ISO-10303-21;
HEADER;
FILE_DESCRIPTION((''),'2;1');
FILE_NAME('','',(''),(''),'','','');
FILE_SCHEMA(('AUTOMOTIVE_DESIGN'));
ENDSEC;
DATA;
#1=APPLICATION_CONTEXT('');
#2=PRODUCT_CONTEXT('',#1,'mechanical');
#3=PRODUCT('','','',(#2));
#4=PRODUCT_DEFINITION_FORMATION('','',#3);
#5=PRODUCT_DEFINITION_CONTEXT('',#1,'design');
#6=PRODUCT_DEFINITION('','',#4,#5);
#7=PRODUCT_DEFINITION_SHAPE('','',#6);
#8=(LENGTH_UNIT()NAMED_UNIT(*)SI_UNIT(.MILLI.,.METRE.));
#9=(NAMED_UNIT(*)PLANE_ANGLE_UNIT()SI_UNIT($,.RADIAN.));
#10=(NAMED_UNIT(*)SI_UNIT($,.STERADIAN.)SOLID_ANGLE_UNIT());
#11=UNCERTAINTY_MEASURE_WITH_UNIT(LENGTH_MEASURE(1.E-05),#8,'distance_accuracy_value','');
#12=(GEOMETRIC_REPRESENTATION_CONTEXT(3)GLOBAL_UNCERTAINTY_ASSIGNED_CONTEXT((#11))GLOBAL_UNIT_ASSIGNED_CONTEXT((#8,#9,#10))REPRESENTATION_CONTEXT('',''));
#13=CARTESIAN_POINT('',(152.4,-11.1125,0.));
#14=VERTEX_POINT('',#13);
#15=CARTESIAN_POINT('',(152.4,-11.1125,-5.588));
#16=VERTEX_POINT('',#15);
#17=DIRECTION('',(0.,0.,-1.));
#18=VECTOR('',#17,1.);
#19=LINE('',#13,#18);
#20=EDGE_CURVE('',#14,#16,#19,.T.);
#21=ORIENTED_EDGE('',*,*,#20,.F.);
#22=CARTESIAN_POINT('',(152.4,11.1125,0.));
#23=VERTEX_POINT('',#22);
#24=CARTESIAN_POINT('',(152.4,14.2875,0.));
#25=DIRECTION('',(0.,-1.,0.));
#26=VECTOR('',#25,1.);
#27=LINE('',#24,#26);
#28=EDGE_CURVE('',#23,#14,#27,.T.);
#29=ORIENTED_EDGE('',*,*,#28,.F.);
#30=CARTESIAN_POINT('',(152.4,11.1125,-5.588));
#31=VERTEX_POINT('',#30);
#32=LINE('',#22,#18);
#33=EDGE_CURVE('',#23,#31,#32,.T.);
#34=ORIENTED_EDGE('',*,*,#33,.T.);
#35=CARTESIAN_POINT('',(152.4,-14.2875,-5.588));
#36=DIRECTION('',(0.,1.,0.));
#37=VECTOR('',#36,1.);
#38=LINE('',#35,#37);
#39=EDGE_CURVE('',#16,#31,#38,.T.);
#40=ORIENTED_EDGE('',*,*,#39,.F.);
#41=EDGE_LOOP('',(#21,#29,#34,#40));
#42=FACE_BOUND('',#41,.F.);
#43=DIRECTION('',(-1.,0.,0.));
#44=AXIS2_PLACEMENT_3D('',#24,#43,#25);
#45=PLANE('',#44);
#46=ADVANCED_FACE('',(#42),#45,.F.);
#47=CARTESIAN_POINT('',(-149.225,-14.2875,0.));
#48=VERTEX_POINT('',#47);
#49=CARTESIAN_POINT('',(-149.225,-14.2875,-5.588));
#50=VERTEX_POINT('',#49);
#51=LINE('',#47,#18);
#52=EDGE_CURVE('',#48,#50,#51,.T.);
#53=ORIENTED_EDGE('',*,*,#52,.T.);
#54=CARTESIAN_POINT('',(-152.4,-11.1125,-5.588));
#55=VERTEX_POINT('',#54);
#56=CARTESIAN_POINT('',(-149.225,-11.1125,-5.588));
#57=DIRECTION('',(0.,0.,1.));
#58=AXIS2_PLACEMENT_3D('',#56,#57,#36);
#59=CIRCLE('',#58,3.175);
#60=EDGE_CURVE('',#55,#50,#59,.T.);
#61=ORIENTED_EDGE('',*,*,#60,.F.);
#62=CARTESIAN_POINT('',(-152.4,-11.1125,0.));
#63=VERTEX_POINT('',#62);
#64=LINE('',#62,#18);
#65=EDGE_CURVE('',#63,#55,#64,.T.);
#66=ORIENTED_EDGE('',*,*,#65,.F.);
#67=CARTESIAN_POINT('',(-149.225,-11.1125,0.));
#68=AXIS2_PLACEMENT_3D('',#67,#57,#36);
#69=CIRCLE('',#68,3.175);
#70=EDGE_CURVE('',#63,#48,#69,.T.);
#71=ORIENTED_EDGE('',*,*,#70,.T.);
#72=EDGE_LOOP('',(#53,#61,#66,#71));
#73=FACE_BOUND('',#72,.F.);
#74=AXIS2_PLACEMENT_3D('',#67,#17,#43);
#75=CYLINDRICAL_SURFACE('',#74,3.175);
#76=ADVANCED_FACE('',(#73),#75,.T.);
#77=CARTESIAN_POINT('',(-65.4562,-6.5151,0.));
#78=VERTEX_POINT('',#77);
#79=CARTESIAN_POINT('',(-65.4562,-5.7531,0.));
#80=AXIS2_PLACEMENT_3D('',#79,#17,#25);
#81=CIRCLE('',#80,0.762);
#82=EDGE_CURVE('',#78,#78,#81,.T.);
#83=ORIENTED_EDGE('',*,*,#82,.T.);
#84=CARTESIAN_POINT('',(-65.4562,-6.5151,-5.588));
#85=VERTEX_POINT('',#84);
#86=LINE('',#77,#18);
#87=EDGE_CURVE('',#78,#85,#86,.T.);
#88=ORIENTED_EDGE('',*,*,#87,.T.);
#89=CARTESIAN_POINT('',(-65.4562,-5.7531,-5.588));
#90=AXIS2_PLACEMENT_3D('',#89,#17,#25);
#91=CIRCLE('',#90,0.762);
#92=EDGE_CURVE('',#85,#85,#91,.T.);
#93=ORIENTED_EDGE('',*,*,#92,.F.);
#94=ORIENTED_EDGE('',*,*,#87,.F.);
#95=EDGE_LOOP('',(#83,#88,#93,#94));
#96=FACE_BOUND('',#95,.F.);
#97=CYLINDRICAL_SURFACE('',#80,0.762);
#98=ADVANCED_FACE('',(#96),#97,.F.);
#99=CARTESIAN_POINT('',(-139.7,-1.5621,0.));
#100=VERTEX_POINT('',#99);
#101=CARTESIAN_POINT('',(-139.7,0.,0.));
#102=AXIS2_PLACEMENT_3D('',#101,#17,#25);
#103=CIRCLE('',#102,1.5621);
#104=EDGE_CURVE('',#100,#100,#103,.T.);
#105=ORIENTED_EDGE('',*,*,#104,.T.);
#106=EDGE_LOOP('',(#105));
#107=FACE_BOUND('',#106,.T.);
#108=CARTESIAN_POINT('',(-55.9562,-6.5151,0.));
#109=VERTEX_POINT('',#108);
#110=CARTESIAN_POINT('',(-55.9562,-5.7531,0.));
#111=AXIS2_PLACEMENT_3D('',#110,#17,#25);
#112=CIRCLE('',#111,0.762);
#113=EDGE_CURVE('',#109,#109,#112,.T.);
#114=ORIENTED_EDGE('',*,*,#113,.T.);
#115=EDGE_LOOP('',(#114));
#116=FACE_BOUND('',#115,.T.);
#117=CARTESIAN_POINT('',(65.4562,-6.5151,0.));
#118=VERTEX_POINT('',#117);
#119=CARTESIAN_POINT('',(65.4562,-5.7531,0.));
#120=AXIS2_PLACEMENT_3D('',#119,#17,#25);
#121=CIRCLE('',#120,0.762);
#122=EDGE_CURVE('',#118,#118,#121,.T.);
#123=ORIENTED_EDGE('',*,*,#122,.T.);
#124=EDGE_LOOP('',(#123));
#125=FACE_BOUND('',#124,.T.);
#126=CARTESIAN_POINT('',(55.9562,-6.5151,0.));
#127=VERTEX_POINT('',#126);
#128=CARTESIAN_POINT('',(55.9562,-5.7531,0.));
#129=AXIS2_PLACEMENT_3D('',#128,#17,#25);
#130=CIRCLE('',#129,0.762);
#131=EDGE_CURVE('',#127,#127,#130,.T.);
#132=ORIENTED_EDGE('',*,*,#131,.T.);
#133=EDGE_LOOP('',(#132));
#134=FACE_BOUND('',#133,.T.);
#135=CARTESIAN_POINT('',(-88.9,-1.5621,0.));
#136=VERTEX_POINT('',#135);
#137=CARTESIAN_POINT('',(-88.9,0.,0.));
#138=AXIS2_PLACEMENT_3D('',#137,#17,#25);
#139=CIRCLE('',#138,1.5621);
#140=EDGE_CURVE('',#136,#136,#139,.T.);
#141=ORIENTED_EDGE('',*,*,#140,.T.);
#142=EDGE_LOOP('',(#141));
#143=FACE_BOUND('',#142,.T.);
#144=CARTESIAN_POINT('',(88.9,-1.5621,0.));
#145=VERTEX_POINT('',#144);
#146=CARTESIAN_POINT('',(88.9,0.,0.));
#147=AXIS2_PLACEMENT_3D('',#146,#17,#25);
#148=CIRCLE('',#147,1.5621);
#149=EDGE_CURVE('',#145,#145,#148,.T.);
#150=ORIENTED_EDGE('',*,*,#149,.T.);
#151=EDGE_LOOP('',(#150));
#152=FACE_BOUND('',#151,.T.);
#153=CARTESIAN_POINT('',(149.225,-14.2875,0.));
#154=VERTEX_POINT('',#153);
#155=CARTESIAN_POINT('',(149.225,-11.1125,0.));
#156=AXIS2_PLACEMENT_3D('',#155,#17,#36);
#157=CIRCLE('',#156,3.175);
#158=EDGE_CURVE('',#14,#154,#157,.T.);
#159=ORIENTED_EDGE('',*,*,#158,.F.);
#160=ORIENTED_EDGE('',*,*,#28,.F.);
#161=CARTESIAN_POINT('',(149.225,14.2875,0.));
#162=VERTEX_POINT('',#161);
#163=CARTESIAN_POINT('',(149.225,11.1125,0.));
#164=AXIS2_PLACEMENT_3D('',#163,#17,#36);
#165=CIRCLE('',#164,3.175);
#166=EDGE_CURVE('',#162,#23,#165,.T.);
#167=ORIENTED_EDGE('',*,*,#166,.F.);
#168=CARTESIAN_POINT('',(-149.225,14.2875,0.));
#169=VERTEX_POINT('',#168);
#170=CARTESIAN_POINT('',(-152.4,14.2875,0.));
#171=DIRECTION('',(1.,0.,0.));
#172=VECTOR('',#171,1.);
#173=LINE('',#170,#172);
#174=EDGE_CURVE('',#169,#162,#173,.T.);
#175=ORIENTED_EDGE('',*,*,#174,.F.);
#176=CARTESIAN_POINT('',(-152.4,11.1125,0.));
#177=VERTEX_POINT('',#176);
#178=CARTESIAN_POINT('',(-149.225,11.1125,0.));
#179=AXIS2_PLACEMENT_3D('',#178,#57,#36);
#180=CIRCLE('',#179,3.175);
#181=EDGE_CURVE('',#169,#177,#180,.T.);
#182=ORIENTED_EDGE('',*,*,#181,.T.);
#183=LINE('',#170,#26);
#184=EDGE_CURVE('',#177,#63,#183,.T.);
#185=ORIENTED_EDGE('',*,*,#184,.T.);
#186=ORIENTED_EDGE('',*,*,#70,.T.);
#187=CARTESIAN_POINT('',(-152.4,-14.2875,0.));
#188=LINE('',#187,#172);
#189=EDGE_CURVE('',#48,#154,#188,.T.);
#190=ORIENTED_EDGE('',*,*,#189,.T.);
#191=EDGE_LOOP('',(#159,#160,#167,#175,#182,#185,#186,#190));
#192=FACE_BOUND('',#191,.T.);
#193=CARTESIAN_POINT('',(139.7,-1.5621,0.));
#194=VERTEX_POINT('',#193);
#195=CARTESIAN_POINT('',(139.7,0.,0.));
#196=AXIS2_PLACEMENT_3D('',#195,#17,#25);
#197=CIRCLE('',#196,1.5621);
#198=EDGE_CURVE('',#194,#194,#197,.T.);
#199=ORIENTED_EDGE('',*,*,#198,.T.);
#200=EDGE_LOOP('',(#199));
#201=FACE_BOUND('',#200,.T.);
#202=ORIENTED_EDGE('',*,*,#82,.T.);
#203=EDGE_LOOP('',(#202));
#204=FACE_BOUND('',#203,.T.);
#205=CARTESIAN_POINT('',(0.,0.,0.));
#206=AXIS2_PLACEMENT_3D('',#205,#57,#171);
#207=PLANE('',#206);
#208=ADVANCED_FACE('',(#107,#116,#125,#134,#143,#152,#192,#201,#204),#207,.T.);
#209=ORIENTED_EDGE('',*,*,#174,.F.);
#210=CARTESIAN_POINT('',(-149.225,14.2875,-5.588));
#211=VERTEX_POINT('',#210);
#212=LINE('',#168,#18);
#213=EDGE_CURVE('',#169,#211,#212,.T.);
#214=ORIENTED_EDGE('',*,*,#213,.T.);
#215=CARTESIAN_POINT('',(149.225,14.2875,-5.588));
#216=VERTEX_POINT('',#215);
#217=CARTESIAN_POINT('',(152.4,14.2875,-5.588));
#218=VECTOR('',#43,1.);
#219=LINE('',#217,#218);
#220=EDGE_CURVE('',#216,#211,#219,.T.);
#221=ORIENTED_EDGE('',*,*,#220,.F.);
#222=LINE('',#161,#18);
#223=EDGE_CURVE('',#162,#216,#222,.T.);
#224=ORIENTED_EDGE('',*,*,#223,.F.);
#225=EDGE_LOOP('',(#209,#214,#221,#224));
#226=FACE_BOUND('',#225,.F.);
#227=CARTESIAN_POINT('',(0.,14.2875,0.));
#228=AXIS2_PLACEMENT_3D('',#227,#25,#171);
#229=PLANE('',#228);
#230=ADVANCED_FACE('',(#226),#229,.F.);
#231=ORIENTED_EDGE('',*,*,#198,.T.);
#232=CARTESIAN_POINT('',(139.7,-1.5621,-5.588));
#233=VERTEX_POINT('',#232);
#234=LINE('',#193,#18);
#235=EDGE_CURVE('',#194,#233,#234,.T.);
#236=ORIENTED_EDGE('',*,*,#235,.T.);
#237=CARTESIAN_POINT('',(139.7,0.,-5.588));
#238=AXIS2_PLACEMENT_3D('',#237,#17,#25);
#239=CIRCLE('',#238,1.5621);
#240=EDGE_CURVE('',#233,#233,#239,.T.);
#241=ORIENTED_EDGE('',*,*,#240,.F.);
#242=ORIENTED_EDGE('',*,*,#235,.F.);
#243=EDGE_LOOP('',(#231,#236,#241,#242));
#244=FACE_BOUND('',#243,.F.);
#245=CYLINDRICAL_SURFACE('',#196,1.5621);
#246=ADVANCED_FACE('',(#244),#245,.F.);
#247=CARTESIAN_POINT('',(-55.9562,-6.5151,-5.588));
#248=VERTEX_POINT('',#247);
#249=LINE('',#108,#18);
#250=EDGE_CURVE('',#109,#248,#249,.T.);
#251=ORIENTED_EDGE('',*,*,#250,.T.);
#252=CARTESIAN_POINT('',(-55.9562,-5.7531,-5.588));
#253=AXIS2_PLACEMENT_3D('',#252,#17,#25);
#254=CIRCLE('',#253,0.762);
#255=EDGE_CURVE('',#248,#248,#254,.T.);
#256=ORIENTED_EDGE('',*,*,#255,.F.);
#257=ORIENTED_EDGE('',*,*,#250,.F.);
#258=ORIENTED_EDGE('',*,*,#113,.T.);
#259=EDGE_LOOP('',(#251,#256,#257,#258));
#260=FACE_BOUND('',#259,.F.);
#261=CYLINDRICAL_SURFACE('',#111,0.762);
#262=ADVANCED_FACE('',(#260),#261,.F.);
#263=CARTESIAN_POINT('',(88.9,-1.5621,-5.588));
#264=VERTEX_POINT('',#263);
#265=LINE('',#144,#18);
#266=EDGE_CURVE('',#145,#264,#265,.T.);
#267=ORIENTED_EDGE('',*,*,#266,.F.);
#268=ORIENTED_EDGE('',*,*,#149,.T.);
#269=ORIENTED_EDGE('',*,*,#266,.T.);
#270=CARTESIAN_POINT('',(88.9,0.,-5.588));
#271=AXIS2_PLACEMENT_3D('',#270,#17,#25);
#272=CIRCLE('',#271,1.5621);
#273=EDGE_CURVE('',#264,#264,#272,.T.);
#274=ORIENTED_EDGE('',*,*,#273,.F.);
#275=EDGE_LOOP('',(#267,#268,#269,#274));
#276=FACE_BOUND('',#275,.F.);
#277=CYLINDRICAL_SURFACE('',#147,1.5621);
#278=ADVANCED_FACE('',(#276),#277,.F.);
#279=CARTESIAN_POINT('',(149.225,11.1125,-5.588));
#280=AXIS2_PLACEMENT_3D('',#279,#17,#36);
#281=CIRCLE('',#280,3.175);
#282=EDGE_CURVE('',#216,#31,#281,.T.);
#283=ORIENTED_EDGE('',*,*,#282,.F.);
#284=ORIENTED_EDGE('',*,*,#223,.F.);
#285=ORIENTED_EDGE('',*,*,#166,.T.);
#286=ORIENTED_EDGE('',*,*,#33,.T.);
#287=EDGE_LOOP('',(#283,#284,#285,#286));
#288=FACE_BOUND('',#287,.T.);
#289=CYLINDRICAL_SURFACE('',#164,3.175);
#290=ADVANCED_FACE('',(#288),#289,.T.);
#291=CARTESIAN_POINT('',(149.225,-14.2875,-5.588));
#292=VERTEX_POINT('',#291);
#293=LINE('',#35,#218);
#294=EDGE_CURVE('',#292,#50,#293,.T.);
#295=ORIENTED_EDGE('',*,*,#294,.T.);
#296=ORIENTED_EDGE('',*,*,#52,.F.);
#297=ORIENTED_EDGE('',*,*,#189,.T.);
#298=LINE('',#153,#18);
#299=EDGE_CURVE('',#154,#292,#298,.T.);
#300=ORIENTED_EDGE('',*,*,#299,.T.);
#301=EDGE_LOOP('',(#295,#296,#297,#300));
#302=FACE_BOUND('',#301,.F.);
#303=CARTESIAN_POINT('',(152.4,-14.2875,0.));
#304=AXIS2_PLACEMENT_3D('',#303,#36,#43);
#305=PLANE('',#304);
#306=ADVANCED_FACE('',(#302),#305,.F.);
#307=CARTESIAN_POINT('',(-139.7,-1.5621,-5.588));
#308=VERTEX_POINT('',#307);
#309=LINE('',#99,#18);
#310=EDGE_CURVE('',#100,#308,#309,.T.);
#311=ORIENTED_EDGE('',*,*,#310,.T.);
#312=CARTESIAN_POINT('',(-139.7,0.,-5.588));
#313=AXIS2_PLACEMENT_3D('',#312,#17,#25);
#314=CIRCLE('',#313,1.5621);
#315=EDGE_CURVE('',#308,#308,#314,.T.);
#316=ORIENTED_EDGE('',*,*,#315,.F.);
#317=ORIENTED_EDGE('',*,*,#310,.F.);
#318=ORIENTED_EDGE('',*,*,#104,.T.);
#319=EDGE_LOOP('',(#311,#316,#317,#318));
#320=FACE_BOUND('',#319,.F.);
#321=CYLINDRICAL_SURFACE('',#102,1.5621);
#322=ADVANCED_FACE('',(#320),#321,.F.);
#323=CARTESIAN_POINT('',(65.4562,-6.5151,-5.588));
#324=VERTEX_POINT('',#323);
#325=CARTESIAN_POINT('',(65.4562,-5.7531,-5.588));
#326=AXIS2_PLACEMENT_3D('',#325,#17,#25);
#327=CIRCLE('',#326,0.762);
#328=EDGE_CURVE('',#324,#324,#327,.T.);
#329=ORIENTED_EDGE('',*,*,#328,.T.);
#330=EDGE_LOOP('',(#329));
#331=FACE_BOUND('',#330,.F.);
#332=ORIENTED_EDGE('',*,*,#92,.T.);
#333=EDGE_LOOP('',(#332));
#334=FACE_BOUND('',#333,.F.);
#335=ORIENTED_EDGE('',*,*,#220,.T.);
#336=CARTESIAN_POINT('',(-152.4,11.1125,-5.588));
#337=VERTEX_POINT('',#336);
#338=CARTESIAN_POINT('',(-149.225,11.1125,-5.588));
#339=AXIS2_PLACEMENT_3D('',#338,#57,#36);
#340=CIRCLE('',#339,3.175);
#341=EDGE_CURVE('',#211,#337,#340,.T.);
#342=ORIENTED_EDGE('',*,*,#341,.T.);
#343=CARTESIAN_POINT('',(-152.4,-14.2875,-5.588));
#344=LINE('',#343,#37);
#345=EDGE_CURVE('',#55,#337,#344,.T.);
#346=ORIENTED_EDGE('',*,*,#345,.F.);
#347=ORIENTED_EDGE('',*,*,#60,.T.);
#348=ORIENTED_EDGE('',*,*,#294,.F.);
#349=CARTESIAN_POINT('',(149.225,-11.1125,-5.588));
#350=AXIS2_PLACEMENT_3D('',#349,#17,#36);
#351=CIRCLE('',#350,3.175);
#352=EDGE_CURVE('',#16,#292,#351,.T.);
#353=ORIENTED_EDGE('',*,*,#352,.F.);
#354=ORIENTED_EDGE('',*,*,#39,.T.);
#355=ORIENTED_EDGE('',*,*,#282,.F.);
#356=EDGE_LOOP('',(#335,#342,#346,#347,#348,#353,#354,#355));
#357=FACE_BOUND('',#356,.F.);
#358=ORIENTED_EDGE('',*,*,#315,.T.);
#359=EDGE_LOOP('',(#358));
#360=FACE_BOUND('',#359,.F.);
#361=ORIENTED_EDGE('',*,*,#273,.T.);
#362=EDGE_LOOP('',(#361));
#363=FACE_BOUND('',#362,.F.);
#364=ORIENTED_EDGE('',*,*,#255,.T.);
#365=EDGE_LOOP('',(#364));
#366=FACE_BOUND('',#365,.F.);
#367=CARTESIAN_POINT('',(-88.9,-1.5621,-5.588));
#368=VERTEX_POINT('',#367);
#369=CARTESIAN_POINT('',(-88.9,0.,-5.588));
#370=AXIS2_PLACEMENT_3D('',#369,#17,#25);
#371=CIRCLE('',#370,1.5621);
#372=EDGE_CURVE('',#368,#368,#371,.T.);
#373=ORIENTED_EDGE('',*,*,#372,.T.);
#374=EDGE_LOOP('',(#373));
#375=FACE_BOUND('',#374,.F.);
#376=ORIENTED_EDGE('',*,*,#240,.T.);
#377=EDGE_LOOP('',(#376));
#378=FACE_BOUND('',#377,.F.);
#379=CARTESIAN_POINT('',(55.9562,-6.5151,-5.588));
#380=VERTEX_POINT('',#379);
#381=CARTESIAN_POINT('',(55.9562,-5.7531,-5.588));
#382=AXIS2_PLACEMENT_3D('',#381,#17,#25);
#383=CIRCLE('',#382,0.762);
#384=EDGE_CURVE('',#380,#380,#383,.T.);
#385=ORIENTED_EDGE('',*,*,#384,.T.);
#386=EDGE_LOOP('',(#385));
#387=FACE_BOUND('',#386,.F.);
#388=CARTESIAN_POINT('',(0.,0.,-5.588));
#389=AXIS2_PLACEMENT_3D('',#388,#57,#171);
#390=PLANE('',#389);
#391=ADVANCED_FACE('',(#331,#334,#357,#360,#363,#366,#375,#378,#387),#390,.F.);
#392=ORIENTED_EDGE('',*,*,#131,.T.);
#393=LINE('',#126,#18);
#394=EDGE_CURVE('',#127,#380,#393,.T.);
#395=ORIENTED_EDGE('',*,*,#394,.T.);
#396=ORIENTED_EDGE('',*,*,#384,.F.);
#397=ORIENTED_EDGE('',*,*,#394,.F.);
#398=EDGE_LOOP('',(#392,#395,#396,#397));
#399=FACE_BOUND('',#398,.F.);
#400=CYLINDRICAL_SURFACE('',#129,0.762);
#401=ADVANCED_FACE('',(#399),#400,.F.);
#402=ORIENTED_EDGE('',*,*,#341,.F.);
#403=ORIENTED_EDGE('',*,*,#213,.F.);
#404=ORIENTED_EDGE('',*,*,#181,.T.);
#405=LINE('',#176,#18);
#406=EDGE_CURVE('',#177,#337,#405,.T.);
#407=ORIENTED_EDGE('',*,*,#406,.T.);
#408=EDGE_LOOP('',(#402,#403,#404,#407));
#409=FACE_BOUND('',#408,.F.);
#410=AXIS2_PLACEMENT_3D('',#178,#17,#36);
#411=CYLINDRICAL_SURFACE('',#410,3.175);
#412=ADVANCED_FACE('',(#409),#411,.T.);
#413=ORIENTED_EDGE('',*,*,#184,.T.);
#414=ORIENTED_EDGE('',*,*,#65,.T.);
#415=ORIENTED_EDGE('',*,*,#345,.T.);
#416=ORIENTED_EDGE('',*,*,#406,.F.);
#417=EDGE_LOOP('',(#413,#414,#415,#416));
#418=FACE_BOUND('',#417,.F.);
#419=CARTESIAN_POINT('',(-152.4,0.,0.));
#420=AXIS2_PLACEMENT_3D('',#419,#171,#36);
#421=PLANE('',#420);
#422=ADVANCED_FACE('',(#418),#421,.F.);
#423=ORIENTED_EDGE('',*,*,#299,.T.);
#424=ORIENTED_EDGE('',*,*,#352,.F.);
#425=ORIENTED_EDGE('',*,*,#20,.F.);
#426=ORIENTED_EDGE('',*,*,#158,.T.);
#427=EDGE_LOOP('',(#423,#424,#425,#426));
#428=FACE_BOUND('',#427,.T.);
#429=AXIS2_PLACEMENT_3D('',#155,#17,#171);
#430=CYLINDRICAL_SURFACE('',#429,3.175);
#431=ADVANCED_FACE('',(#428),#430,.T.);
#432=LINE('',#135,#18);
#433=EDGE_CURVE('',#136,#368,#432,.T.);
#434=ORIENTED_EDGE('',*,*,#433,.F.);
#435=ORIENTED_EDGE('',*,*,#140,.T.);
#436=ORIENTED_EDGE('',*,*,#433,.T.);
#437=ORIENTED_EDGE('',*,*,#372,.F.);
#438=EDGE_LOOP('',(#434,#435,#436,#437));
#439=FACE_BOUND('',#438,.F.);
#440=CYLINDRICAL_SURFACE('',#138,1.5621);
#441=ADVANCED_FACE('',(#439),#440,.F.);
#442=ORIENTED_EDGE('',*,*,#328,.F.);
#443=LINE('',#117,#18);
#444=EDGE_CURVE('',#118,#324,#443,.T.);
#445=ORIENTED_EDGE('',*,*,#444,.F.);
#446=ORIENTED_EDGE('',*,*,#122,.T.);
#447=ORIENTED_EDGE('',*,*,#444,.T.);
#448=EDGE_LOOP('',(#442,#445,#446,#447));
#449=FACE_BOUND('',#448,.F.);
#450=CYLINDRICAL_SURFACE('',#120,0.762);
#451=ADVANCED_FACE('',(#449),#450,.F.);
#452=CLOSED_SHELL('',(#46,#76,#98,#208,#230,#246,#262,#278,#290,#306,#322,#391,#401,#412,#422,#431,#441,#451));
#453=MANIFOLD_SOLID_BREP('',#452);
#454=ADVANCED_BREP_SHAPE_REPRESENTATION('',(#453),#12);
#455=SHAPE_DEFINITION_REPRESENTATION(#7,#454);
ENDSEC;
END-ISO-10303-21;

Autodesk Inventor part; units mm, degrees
ref_plane "YZ Plane" through (0, 0, 0) normal (1, 0, 0) x (0, 1, 0)
ref_plane "XZ Plane" through (0, 0, 0) normal (0, 1, 0) x (-1, 0, 0)
ref_plane "XY Plane" through (0, 0, 0) normal (0, 0, 1) x (1, 0, 0)
sketch "Sketch1" plane through (0, 0, 0) normal (0, 0, 1) x (1, 0, 0)
  line L0 (0, 20.0025) -> (0, -20.0025) projected
  line L1 (-213.36, 0) -> (213.36, 0) projected
  line L2 (152.4, -14.2875) -> (-152.4, -14.2875)
  line L3 (-152.4, -14.2875) -> (-152.4, 14.2875)
  line L4 (-152.4, 14.2875) -> (152.4, 14.2875)
  line L5 (152.4, 14.2875) -> (152.4, -14.2875)
  line L6 (152.4, -14.2875) -> (-152.4, 14.2875) construction
  line L7 (-152.4, -14.2875) -> (152.4, 14.2875) construction
  line L8 (-65.4562, -5.7531) -> (-55.9562, -5.7531) construction
  line L9 (55.9562, -5.7531) -> (65.4562, -5.7531) construction
  point P0 (0, 0)
  point P1 (-88.9, 0)
  point P2 (-139.7, 0)
  point P3 (88.9, 0)
  point P4 (139.7, 0)
  dimension "d0" = 304.8
  dimension "d1" = 28.575
  dimension "d2" = 50.8
  dimension "d3" = 139.7
  dimension "d4" = 50.8
  dimension "d5" = 139.7
  dimension "d16" = 55.9562
  dimension "d17" = 8.5344
  dimension "d18" = 9.5
  dimension "d19" = 55.9562
extrude "Extrusion1" add sketch "Sketch1" against normal blind 5.588
hole "Hole1-Tap M4" at (-88.9, 0, 0) at (-139.7, 0, 0) at (88.9, 0, 0) at (139.7, 0, 0) direction (0, 0, -1) diameter 3.1242 depth 25.4 tip angle 118
fillet "Fillet1" radius 3.175 4 edges at (152.4, 14.2875, -2.794) (152.4, -14.2875, -2.794) (-152.4, -14.2875, -2.794) (-152.4, 14.2875, -2.794)
hole "Hole2-Tap M2" at (-65.4562, -5.7531, 0) at (-55.9562, -5.7531, 0) at (55.9562, -5.7531, 0) at (65.4562, -5.7531, 0) direction (0, 0, -1) diameter 1.524 end through all
